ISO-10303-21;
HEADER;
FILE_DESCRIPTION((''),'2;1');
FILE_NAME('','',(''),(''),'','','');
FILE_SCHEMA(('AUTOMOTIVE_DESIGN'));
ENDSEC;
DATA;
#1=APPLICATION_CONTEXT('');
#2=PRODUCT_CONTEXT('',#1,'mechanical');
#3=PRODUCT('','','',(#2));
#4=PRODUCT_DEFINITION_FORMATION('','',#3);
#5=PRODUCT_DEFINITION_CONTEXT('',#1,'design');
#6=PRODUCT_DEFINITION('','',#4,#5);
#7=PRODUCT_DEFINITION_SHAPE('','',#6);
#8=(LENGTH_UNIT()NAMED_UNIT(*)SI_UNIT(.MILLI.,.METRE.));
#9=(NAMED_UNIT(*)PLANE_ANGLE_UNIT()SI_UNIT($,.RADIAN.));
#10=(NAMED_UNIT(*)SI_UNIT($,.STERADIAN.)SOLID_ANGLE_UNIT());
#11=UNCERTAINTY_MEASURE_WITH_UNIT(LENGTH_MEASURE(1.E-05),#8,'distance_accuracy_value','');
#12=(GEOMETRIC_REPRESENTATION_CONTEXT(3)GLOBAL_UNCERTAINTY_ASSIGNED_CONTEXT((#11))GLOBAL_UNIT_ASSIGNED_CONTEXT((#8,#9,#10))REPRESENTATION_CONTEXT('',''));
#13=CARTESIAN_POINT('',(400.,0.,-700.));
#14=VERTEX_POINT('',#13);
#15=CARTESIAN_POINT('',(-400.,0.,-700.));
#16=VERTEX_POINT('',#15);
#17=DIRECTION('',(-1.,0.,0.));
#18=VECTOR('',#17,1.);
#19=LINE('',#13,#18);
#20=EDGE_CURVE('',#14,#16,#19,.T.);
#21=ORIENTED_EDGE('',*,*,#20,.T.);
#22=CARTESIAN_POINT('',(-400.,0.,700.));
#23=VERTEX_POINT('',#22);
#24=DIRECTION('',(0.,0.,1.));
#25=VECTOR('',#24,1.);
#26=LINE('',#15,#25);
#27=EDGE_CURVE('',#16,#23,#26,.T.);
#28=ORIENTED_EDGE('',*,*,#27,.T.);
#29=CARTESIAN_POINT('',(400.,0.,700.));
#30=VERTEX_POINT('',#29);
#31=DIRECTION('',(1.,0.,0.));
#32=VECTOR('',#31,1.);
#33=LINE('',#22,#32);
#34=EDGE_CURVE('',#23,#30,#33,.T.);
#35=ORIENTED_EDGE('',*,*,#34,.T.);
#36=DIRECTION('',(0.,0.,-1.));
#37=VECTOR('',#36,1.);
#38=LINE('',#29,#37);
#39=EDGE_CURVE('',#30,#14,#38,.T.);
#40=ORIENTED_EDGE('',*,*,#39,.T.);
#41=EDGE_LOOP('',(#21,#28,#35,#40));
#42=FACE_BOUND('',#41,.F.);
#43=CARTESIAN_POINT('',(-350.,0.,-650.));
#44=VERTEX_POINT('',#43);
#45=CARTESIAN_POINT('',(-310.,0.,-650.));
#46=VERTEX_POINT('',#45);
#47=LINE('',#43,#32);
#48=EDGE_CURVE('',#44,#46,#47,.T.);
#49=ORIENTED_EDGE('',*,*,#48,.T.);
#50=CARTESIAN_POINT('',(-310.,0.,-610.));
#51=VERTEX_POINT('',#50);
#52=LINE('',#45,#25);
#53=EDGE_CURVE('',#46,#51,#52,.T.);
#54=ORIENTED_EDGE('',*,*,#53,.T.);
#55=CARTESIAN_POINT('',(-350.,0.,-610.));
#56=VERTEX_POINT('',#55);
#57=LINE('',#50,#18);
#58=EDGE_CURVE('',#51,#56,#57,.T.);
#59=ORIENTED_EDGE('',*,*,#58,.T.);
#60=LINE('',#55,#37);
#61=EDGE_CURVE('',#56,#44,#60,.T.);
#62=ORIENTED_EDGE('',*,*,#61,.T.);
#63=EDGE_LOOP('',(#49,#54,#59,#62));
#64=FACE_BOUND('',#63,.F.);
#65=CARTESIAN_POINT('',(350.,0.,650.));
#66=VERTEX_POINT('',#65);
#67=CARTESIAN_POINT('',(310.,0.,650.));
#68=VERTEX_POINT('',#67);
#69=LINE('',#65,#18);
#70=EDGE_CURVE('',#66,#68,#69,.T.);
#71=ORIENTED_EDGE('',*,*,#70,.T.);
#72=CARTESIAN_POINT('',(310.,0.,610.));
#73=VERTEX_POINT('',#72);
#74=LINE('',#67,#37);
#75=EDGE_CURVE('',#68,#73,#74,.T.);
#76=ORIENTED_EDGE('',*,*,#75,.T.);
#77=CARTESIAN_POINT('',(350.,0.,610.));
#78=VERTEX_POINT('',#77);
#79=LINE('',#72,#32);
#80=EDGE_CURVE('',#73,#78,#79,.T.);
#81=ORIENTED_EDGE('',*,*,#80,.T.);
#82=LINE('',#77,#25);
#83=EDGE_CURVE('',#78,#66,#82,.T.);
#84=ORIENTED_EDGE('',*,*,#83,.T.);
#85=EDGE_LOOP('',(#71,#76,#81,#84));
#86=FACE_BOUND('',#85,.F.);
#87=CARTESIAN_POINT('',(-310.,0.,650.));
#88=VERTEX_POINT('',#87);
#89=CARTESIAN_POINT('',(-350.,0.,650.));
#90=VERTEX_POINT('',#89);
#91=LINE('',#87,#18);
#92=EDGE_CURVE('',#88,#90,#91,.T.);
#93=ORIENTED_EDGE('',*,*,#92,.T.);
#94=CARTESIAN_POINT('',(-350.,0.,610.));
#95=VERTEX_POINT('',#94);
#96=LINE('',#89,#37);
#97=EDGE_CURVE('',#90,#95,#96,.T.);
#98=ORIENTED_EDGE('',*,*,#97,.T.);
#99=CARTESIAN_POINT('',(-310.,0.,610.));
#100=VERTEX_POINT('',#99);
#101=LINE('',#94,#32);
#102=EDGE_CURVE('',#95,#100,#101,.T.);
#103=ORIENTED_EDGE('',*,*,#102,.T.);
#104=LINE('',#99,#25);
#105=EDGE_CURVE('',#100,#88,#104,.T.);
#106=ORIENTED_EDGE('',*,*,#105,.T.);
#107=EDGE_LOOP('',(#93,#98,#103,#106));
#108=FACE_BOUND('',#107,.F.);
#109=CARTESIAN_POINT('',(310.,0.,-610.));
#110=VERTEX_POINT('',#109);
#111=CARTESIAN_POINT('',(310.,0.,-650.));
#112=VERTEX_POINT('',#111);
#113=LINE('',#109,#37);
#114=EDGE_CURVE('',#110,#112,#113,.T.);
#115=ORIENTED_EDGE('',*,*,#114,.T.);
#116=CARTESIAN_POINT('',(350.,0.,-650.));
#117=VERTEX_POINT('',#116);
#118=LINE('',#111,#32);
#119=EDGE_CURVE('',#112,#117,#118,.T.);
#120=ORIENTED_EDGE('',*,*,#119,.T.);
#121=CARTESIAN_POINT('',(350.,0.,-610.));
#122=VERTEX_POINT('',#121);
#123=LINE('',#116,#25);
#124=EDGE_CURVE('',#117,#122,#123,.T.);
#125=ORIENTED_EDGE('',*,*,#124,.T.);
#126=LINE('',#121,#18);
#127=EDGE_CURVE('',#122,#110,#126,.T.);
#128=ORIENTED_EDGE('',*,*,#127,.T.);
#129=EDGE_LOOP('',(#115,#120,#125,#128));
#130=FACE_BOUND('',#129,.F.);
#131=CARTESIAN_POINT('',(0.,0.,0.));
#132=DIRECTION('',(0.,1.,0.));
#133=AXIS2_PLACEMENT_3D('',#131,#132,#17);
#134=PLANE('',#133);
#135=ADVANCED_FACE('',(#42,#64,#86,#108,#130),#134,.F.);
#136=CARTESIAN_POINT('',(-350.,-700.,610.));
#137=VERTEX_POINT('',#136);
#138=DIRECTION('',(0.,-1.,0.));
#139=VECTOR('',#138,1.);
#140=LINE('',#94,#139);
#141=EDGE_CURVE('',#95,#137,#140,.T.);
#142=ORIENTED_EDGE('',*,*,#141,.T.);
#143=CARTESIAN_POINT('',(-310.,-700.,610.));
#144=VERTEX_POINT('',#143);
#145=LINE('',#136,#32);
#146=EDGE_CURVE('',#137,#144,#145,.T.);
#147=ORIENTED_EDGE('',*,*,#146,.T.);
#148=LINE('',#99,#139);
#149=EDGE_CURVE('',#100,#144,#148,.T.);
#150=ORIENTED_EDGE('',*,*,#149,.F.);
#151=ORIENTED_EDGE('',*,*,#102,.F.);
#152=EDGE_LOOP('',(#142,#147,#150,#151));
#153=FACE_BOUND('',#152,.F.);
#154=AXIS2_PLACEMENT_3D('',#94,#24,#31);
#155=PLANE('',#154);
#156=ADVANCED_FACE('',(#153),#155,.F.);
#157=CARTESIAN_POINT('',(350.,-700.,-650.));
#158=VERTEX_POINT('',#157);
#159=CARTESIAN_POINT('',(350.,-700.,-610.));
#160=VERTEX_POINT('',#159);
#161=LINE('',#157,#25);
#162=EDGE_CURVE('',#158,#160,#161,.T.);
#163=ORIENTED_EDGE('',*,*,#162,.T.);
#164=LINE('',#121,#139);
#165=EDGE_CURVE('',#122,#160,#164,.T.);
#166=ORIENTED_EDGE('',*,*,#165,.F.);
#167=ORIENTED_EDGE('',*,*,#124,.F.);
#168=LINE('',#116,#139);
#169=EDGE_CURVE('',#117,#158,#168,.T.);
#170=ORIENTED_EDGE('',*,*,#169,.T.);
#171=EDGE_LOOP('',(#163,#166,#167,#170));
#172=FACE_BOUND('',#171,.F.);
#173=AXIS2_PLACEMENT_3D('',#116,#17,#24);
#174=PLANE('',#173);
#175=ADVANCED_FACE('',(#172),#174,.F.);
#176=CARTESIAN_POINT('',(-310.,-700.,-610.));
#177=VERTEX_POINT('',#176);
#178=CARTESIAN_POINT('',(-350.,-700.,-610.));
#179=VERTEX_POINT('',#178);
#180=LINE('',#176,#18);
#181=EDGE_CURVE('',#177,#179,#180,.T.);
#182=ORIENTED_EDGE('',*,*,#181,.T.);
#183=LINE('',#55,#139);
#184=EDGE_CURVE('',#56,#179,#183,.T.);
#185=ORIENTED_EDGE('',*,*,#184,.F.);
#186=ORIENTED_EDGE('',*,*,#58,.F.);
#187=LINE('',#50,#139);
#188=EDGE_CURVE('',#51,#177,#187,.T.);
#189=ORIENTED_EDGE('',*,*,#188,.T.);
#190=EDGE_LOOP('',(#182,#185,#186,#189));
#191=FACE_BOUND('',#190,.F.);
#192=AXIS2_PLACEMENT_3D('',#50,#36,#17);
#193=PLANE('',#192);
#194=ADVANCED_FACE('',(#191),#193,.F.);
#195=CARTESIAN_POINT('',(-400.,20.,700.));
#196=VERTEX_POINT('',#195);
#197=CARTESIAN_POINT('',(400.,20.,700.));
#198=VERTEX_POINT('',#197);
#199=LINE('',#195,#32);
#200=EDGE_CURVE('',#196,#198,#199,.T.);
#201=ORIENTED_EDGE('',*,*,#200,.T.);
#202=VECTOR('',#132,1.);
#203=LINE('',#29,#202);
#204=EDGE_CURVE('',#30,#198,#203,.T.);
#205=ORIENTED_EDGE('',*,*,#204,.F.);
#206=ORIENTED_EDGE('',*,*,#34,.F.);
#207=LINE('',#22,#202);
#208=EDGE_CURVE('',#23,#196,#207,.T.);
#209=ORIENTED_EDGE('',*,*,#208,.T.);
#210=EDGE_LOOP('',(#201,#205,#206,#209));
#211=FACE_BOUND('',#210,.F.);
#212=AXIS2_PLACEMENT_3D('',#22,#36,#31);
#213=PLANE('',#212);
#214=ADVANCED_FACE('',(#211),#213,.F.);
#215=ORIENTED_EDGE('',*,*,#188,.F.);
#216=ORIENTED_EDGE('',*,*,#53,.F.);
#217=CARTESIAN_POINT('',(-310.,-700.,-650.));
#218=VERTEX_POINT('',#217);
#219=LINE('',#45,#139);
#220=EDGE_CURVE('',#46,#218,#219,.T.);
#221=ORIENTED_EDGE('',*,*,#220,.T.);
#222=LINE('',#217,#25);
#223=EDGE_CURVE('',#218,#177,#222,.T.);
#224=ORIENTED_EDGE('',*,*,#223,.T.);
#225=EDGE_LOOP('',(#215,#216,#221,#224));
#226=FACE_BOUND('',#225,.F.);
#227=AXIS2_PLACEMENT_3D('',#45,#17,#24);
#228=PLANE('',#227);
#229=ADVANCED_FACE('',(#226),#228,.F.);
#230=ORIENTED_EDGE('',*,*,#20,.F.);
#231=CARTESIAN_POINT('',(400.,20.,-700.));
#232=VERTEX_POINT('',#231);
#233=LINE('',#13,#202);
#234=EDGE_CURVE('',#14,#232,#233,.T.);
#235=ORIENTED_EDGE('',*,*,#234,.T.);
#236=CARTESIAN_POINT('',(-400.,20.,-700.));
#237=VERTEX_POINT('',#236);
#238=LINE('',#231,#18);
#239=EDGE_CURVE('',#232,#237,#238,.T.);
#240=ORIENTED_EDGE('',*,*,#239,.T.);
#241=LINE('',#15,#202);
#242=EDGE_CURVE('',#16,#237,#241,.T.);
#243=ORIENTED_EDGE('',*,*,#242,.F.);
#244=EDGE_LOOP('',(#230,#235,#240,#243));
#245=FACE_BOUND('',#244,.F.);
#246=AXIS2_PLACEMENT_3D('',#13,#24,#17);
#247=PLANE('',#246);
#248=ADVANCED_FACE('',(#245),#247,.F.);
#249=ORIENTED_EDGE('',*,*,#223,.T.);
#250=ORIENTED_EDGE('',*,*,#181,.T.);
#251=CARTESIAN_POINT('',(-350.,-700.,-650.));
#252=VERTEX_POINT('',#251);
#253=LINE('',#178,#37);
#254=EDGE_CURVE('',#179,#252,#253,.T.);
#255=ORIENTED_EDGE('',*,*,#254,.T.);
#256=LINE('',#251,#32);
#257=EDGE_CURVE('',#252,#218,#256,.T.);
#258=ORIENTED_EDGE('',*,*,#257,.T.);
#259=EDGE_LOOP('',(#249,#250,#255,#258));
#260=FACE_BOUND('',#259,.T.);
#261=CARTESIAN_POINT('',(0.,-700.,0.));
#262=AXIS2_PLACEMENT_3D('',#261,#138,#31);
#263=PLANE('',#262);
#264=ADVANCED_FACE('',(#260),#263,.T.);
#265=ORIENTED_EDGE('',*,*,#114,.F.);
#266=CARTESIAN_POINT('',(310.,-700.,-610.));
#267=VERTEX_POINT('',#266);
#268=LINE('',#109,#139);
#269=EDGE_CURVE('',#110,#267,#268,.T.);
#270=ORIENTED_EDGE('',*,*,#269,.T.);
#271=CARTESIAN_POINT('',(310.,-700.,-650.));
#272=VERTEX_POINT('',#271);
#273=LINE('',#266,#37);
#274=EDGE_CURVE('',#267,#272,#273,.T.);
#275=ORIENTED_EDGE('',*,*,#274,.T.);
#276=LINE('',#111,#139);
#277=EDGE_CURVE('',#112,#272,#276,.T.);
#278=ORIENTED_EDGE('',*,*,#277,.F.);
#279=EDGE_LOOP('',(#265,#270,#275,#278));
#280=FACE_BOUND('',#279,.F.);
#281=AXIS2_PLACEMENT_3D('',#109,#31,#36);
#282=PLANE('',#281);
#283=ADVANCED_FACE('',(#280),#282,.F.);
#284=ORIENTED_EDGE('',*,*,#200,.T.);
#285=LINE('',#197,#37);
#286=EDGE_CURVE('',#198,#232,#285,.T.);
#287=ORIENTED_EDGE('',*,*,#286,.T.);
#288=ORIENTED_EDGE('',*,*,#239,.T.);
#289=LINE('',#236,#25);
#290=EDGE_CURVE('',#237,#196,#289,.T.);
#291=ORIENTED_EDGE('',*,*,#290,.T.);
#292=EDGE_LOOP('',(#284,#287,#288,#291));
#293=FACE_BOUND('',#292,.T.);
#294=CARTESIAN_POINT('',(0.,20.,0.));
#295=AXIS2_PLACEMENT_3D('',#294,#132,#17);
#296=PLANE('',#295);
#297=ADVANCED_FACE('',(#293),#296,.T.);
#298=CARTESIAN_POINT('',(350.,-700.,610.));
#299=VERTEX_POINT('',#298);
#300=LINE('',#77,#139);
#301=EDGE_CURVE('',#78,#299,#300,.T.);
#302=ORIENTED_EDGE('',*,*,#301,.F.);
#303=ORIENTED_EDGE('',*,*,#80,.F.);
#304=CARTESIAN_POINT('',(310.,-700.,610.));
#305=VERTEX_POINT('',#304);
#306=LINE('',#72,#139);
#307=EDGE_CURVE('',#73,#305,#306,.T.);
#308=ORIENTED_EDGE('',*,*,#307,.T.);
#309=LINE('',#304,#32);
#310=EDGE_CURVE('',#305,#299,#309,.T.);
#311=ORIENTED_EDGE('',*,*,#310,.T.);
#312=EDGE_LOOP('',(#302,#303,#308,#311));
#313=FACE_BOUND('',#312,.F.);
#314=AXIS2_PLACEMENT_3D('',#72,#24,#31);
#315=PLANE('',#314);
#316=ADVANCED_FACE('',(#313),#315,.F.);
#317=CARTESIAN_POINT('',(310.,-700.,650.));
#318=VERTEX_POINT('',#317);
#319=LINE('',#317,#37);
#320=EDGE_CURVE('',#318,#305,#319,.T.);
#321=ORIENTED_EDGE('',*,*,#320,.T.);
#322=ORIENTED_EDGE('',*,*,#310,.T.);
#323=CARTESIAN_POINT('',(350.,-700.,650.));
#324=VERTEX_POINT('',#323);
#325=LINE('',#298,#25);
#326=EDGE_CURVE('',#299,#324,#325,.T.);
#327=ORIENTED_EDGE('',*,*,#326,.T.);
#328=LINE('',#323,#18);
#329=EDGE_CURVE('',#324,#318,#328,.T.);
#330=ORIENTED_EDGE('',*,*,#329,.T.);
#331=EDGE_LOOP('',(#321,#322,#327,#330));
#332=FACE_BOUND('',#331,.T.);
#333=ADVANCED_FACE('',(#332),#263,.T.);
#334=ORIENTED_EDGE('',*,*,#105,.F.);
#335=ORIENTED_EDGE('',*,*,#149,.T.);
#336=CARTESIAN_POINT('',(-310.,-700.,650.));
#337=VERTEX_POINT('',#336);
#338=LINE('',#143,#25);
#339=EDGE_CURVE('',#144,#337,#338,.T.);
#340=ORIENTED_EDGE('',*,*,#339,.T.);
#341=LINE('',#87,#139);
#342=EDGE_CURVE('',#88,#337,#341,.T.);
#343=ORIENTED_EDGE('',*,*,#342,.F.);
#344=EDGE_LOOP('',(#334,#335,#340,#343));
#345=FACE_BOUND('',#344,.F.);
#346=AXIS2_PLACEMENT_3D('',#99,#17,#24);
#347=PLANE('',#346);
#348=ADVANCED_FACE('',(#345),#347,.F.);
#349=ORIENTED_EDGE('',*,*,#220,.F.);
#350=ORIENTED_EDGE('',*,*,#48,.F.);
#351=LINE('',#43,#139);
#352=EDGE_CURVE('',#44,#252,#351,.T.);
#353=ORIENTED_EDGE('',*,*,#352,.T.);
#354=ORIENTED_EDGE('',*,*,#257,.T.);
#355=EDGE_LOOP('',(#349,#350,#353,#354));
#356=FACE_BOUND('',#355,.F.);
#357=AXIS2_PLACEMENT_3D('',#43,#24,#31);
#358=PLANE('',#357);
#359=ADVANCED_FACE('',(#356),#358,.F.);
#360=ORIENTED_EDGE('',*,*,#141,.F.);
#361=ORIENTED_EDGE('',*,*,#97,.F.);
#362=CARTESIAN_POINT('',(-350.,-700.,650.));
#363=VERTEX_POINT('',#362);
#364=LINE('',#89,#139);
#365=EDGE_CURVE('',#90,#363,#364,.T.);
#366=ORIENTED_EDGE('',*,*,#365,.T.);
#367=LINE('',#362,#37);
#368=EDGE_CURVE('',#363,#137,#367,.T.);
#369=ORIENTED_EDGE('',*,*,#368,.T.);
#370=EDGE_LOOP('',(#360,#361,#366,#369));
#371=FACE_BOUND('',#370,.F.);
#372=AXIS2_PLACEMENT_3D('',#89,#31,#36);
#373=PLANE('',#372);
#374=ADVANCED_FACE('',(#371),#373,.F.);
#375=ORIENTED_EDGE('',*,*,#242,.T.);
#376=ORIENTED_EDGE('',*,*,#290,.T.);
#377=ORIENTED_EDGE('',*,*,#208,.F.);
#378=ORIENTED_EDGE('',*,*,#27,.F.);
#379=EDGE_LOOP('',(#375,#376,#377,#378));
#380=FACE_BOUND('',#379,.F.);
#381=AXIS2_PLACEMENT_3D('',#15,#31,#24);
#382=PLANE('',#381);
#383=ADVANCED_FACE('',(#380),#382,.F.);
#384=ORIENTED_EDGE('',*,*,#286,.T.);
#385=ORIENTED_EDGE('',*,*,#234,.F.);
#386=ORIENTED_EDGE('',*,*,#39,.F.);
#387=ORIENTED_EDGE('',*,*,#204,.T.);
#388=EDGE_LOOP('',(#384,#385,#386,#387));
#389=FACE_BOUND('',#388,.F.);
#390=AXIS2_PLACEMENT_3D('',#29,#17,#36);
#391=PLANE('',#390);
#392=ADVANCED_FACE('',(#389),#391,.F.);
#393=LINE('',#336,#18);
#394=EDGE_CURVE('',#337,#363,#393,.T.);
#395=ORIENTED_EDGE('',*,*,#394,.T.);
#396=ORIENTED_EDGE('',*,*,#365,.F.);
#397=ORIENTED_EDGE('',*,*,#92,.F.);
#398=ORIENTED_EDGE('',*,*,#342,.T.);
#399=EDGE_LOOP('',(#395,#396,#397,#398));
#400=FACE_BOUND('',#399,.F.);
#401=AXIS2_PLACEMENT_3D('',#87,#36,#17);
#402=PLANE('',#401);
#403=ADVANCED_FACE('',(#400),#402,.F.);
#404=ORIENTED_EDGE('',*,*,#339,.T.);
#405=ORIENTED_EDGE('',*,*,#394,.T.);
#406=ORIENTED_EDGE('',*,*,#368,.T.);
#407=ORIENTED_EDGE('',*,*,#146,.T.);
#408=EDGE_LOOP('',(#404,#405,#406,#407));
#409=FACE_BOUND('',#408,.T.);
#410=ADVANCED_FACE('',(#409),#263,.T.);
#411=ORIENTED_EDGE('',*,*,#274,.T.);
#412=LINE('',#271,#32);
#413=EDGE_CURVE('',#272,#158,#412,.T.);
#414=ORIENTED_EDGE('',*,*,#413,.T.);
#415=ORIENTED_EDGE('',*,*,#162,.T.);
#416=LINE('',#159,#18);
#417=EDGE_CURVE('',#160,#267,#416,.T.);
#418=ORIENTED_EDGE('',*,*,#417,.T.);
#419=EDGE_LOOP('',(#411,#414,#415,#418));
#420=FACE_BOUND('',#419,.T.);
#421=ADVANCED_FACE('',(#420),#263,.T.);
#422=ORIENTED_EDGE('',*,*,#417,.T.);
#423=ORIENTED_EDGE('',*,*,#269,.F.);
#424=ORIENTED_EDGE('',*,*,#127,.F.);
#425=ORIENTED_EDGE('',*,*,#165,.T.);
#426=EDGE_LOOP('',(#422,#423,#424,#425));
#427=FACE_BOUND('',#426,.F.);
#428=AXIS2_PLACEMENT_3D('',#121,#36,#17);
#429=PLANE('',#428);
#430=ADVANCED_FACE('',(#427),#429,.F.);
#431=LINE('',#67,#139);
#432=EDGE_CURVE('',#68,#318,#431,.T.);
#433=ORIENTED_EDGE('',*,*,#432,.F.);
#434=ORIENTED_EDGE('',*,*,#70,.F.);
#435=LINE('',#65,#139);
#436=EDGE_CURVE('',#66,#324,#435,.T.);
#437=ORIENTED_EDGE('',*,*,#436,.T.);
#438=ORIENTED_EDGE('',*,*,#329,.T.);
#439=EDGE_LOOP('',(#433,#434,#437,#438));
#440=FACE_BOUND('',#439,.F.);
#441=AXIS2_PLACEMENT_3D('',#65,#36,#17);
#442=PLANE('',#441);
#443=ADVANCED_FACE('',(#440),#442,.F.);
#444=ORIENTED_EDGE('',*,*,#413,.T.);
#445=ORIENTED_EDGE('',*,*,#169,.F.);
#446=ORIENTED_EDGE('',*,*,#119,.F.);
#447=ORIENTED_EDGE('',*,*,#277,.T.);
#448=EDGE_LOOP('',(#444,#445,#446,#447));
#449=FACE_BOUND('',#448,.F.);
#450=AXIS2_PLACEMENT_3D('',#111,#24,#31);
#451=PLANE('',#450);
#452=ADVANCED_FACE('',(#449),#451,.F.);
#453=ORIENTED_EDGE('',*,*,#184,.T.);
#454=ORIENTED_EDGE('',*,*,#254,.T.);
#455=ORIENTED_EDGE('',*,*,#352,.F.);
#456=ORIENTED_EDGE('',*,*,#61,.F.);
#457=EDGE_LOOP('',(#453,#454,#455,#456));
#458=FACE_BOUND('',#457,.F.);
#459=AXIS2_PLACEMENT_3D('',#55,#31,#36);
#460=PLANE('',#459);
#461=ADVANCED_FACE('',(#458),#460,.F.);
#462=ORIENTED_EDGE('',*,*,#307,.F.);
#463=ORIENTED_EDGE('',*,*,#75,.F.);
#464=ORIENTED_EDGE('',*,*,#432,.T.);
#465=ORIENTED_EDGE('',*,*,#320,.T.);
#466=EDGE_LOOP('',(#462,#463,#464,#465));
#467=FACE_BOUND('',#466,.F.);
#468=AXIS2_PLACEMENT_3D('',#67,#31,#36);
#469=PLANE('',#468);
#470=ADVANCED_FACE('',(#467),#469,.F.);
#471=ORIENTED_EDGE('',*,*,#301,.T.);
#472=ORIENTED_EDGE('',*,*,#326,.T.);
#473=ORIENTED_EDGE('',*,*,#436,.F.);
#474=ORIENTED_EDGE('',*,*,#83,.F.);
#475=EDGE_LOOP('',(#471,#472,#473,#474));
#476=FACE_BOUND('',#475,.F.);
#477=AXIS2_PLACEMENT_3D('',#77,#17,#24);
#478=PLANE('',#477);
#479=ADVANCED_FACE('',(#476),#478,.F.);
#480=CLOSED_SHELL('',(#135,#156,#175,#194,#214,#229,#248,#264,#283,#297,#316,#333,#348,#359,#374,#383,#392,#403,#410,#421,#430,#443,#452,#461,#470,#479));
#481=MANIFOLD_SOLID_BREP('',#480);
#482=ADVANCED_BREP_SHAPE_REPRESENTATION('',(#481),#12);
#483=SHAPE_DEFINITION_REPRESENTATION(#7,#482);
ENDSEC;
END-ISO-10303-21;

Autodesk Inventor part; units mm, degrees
ref_plane "YZ Plane" through (0, 0, 0) normal (1, 0, 0) x (0, 1, 0)
ref_plane "XZ Plane" through (0, 0, 0) normal (0, 1, 0) x (-1, 0, 0)
ref_plane "XY Plane" through (0, 0, 0) normal (0, 0, 1) x (1, 0, 0)
sketch "Esquisse1" plane through (0, 0, 0) normal (0, 1, 0) x (-1, 0, 0)
  line L0 (400, 700) -> (-400, 700)
  line L1 (-400, 700) -> (-400, -700)
  line L2 (-400, -700) -> (400, -700)
  line L3 (400, -700) -> (400, 700)
  point P0 (0, 0)
  dimension "TableLong" = 1400
  dimension "TableLarg" = 800
  dimension "d2" = 700
  dimension "d3" = 400
extrude "Extrusion1" add sketch "Esquisse1" along normal blind 20
sketch "Esquisse2" plane through (0, 0, 0) normal (0, -1, 0) x (1, 0, 0)
  line L0 (-400, 700) -> (400, 700) projected
  line L1 (-400, -700) -> (-400, 700) projected
  line L2 (350, 650) -> (310, 650)
  line L3 (310, 650) -> (310, 610)
  line L4 (310, 610) -> (350, 610)
  line L5 (350, 610) -> (350, 650)
  line L6 (400, 700) -> (400, -700) projected
  line L7 (350, -610) -> (310, -610)
  line L8 (310, -610) -> (310, -650)
  line L9 (310, -650) -> (350, -650)
  line L10 (350, -650) -> (350, -610)
  line L11 (-310, 650) -> (-350, 650)
  line L12 (-350, 650) -> (-350, 610)
  line L13 (-350, 610) -> (-310, 610)
  line L14 (-310, 610) -> (-310, 650)
  line L15 (-310, -610) -> (-350, -610)
  line L16 (-350, -610) -> (-350, -650)
  line L17 (-350, -650) -> (-310, -650)
  line L18 (-310, -650) -> (-310, -610)
  point P0 (0, 0)
  dimension "d17" = 50
  dimension "d18" = 50
  dimension "d19" = 40
  dimension "d20" = 40
  dimension "d23" = 1260
  dimension "d30" = 660
extrude "Extrusion2" add sketch "Esquisse2" along normal blind 700
equation "\"d2\" = 0.5 * TableLong"
equation "\"d3\" = 0.5 * TableLarg"
equation "\"d23\" = -2 * d17 + TableLong - d20"
equation "\"d30\" = -2 * d18 + TableLarg - d19"
properties part number "Table"
